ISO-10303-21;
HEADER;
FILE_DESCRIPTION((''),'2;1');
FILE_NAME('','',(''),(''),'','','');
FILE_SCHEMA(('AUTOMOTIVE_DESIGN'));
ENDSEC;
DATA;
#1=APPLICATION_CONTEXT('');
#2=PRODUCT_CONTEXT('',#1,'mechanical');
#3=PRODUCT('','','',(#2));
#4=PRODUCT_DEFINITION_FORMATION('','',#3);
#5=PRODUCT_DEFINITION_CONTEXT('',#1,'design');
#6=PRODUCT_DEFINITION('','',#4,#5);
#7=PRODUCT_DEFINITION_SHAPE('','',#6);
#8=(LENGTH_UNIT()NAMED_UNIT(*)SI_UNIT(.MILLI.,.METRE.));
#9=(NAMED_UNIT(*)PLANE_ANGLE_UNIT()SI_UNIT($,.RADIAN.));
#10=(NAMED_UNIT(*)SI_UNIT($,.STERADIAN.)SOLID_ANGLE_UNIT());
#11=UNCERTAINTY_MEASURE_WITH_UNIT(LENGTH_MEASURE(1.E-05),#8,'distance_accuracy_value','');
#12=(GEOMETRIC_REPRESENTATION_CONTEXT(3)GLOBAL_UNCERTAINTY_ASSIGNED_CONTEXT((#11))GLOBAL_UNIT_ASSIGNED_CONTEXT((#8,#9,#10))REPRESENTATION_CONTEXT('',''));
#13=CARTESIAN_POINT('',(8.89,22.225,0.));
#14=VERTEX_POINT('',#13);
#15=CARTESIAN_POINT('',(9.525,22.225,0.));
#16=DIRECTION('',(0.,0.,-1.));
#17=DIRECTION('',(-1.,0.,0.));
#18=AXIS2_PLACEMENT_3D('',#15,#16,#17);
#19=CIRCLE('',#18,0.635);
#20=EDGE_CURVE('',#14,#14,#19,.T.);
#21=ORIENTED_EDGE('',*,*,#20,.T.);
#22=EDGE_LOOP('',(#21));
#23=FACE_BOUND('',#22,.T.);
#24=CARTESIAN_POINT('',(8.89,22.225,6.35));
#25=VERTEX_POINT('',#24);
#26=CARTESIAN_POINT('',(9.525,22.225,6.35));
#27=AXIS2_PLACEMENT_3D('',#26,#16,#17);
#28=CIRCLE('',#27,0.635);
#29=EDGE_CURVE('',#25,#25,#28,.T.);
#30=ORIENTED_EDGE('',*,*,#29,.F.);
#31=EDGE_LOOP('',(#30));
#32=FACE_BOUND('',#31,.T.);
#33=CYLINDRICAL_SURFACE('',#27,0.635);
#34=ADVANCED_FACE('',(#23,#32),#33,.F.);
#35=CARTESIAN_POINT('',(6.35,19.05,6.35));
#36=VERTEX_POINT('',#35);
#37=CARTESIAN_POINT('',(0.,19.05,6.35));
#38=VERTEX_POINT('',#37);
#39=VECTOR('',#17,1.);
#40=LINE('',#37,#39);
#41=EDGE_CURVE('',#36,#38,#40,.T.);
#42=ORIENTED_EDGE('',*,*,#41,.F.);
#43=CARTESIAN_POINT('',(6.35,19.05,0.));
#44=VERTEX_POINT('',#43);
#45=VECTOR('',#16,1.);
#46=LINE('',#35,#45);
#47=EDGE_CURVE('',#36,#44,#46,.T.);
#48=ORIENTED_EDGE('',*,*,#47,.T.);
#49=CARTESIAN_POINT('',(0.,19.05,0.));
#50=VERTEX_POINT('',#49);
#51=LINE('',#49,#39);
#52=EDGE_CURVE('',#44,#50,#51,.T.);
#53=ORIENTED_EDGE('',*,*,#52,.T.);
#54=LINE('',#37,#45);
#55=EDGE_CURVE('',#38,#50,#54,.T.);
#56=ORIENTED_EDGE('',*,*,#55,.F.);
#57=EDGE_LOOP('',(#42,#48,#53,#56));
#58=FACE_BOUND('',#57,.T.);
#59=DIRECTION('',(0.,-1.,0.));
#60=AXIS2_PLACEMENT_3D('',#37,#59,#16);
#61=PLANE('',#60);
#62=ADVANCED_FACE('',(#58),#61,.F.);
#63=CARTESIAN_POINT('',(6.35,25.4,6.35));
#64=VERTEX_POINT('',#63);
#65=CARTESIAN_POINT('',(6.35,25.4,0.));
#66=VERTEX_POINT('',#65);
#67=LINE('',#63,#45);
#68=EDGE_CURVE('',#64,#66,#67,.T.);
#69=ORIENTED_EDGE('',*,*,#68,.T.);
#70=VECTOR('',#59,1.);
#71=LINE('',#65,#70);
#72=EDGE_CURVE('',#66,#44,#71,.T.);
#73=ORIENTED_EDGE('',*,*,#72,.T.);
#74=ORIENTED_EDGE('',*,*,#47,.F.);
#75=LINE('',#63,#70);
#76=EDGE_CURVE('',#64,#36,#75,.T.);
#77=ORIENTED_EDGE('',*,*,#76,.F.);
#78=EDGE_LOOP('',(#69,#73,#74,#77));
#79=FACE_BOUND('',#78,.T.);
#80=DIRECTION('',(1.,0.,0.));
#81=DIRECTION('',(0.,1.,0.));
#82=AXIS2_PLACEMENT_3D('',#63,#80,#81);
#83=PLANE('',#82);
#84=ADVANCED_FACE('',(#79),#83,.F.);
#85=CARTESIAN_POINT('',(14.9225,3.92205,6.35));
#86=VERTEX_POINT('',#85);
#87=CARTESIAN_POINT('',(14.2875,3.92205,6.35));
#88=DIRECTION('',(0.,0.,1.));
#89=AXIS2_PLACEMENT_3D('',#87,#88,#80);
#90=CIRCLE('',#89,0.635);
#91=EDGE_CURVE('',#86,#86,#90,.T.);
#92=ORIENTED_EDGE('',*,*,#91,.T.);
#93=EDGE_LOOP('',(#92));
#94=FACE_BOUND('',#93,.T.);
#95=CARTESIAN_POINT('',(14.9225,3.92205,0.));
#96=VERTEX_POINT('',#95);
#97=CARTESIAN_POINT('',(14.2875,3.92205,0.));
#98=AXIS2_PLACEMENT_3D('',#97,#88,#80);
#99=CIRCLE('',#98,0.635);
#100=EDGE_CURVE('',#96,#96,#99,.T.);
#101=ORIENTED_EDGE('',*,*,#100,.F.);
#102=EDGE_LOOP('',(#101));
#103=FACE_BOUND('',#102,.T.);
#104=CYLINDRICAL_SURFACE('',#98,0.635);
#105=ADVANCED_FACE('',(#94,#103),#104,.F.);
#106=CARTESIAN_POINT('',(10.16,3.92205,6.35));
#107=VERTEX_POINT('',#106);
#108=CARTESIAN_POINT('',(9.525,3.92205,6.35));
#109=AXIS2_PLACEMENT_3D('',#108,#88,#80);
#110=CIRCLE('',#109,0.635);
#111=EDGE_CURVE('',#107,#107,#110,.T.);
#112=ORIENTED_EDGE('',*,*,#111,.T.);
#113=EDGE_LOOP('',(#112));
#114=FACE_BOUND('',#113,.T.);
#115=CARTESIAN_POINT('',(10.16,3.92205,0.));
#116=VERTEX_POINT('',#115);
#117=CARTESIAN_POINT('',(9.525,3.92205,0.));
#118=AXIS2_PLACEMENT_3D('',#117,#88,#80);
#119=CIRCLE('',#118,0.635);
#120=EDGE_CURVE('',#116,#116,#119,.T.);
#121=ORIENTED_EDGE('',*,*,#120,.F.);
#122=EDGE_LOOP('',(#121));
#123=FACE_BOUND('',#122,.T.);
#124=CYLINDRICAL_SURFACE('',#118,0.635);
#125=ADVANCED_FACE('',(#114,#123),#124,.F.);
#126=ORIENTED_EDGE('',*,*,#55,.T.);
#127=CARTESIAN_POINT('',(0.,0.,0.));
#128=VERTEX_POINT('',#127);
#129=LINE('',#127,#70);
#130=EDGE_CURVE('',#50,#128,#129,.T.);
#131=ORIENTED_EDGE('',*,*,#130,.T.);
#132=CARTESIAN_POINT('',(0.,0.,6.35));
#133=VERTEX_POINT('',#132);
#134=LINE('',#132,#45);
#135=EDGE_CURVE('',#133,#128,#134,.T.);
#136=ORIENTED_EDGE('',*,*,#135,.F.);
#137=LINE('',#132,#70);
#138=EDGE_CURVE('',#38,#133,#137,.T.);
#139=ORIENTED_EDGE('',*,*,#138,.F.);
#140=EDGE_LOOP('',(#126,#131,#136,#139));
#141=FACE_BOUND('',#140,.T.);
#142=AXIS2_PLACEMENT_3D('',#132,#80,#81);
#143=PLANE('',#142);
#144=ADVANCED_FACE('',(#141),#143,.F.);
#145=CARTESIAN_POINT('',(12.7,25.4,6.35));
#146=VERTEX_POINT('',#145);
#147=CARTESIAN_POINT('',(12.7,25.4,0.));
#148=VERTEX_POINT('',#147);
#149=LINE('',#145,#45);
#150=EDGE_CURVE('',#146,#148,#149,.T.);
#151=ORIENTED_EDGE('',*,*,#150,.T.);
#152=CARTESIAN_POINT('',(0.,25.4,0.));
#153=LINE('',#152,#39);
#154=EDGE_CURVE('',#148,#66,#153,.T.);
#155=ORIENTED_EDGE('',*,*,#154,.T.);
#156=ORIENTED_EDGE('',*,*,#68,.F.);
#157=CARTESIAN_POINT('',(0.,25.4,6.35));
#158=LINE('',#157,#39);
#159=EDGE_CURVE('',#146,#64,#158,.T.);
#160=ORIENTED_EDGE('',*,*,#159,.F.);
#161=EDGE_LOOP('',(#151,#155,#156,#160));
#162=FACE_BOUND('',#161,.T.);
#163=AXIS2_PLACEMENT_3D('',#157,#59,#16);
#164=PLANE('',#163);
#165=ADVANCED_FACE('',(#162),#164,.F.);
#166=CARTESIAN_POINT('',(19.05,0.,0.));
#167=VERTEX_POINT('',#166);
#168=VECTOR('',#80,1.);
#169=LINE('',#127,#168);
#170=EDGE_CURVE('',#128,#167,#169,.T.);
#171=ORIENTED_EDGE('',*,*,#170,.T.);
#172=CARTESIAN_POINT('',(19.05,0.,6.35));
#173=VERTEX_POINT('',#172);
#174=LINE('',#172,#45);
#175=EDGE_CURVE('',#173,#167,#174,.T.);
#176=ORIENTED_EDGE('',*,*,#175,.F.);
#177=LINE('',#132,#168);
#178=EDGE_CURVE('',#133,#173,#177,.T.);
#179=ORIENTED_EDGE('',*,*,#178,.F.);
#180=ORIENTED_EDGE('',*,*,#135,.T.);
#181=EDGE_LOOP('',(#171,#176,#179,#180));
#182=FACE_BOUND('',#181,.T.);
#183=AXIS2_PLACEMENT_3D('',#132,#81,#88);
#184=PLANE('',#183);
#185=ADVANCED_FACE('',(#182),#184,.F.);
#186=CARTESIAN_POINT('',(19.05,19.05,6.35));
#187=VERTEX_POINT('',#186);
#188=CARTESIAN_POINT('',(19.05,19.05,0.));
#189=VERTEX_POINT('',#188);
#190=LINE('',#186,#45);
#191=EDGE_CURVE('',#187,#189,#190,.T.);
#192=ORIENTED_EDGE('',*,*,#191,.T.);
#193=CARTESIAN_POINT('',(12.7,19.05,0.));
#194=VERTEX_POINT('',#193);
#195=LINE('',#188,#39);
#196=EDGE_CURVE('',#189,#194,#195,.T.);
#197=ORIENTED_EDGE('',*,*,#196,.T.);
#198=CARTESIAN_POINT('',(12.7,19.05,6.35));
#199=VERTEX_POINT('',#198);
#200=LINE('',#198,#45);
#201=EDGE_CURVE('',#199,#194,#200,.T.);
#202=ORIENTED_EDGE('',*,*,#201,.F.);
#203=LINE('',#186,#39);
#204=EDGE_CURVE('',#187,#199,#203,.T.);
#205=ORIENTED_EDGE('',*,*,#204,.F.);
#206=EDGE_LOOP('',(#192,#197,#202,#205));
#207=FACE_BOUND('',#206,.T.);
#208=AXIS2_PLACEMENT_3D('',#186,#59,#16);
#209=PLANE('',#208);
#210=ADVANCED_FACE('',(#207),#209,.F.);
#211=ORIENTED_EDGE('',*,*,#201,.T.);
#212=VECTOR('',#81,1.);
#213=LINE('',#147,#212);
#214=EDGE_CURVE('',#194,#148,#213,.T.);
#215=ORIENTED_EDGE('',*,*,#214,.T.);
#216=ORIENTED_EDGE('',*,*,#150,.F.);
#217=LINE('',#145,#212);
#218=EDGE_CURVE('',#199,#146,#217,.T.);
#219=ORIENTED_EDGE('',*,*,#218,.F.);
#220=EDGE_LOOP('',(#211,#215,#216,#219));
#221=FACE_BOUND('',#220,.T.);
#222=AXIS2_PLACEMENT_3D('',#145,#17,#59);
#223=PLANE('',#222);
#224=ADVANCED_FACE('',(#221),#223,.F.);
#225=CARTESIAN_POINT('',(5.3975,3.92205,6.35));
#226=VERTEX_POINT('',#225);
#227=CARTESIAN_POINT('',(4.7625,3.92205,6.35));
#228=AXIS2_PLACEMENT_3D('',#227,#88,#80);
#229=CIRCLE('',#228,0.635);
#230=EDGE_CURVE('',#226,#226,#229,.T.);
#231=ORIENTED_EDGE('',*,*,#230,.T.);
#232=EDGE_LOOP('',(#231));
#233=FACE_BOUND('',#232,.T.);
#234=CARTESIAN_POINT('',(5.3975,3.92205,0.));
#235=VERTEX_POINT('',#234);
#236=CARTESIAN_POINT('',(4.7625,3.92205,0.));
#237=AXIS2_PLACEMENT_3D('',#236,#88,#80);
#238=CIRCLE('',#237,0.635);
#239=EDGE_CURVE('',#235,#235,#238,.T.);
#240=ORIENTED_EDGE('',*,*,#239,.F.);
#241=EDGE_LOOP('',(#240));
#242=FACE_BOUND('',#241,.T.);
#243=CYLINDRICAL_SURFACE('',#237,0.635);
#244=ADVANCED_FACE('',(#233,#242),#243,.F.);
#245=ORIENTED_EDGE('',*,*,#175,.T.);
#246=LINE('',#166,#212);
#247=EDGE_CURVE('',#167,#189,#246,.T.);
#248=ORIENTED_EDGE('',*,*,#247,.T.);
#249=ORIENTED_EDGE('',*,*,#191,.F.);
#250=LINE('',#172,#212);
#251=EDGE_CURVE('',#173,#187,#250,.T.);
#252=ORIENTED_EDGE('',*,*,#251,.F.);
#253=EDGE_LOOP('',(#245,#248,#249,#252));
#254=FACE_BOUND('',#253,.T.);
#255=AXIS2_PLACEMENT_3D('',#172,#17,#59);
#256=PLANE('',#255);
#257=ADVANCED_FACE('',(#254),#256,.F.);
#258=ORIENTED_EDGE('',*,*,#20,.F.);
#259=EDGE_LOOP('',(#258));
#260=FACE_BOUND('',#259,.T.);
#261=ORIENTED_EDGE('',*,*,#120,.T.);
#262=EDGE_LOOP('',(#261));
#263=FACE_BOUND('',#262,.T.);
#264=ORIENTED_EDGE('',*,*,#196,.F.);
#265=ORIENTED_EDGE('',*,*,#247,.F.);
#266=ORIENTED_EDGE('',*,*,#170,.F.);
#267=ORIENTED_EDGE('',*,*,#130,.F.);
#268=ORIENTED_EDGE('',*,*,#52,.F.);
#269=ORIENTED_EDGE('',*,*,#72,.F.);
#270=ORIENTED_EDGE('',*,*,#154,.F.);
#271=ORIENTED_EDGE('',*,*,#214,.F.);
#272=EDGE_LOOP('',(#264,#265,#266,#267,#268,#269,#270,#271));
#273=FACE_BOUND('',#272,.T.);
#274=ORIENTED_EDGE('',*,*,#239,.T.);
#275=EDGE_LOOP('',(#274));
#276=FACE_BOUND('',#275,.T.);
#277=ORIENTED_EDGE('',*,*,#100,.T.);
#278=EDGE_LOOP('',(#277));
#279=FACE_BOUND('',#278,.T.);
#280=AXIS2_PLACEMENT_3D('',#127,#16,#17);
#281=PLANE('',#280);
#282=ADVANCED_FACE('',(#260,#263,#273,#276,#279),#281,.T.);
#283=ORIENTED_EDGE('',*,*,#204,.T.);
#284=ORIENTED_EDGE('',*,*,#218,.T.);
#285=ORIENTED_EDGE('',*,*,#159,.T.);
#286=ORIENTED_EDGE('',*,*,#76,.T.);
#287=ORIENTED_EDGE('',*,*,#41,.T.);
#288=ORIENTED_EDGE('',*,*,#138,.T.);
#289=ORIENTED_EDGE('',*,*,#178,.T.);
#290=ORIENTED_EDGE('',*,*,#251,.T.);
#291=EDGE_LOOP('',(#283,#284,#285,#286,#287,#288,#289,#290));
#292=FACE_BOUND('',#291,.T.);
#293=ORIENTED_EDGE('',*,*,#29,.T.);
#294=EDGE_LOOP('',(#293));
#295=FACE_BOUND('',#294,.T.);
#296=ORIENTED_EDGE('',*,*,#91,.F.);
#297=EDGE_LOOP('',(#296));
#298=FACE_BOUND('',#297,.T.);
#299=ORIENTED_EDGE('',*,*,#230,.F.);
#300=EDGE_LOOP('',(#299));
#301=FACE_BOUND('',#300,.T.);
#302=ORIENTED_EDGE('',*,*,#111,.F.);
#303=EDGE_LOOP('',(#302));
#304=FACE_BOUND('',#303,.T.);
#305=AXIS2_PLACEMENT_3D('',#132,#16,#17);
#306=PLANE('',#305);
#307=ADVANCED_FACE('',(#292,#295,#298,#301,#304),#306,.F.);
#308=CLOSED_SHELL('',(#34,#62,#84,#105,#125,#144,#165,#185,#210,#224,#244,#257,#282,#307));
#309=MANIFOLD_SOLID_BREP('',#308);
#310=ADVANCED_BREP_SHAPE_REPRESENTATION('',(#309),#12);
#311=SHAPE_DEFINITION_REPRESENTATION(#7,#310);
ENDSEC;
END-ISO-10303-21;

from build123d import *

# Parameters (mm, degrees)
SKETCH1_W           = 19.05
SKETCH1_H           = 25.4
BOSS_EXTRUDE1_DEPTH = 6.35
SKETCH2_W           = 6.35
SKETCH2_H           = 6.35
CUT_EXTRUDE1_DEPTH  = 7.35
SKETCH3_W           = 6.35
SKETCH3_H           = 6.35
CUT_EXTRUDE2_DEPTH  = 7.35
SKETCH4_R           = 0.635
CUT_EXTRUDE3_DEPTH  = 7.35
SKETCH5_R           = 0.635
CUT_EXTRUDE4_DEPTH  = 7.35


with BuildPart() as part:
    # Sketch1 → Boss-Extrude1 (new body)
    with BuildSketch(Plane.XY):
        with Locations((9.525, 12.7)):
            Rectangle(SKETCH1_W, SKETCH1_H)
    extrude(amount=BOSS_EXTRUDE1_DEPTH)

    # Sketch2 → Cut-Extrude1 (cut, through all)
    with BuildSketch(Plane(origin=(0, 0, 0), x_dir=(-1, 0, 0), z_dir=(0, 0, -1))):
        with Locations((-3.175, 22.225)):
            Rectangle(SKETCH2_W, SKETCH2_H)
    extrude(amount=-CUT_EXTRUDE1_DEPTH, mode=Mode.SUBTRACT)

    # Sketch3 → Cut-Extrude2 (cut, through all)
    with BuildSketch(Plane(origin=(0, 0, 0), x_dir=(-1, 0, 0), z_dir=(0, 0, -1))):
        with Locations((-15.875, 22.225)):
            Rectangle(SKETCH3_W, SKETCH3_H)
    extrude(amount=-CUT_EXTRUDE2_DEPTH, mode=Mode.SUBTRACT)

    # Sketch4 → Cut-Extrude3 (cut, through all)
    with BuildSketch(Plane(origin=(0, 0, 0), x_dir=(-1, 0, 0), z_dir=(0, 0, -1))):
        with Locations((-9.525, 22.225)):
            Circle(SKETCH4_R)
    extrude(amount=-CUT_EXTRUDE3_DEPTH, mode=Mode.SUBTRACT)

    # Sketch5 → Cut-Extrude4 (cut, through all)
    with BuildSketch(Plane.XY.offset(6.35)):
        with Locations((14.2875, 3.922050028)):
            Circle(SKETCH5_R)
        with Locations((9.525, 3.922050028)):
            Circle(SKETCH5_R)
        with Locations((4.7625, 3.922050028)):
            Circle(SKETCH5_R)
    extrude(amount=-CUT_EXTRUDE4_DEPTH, mode=Mode.SUBTRACT)


solid = part.part
